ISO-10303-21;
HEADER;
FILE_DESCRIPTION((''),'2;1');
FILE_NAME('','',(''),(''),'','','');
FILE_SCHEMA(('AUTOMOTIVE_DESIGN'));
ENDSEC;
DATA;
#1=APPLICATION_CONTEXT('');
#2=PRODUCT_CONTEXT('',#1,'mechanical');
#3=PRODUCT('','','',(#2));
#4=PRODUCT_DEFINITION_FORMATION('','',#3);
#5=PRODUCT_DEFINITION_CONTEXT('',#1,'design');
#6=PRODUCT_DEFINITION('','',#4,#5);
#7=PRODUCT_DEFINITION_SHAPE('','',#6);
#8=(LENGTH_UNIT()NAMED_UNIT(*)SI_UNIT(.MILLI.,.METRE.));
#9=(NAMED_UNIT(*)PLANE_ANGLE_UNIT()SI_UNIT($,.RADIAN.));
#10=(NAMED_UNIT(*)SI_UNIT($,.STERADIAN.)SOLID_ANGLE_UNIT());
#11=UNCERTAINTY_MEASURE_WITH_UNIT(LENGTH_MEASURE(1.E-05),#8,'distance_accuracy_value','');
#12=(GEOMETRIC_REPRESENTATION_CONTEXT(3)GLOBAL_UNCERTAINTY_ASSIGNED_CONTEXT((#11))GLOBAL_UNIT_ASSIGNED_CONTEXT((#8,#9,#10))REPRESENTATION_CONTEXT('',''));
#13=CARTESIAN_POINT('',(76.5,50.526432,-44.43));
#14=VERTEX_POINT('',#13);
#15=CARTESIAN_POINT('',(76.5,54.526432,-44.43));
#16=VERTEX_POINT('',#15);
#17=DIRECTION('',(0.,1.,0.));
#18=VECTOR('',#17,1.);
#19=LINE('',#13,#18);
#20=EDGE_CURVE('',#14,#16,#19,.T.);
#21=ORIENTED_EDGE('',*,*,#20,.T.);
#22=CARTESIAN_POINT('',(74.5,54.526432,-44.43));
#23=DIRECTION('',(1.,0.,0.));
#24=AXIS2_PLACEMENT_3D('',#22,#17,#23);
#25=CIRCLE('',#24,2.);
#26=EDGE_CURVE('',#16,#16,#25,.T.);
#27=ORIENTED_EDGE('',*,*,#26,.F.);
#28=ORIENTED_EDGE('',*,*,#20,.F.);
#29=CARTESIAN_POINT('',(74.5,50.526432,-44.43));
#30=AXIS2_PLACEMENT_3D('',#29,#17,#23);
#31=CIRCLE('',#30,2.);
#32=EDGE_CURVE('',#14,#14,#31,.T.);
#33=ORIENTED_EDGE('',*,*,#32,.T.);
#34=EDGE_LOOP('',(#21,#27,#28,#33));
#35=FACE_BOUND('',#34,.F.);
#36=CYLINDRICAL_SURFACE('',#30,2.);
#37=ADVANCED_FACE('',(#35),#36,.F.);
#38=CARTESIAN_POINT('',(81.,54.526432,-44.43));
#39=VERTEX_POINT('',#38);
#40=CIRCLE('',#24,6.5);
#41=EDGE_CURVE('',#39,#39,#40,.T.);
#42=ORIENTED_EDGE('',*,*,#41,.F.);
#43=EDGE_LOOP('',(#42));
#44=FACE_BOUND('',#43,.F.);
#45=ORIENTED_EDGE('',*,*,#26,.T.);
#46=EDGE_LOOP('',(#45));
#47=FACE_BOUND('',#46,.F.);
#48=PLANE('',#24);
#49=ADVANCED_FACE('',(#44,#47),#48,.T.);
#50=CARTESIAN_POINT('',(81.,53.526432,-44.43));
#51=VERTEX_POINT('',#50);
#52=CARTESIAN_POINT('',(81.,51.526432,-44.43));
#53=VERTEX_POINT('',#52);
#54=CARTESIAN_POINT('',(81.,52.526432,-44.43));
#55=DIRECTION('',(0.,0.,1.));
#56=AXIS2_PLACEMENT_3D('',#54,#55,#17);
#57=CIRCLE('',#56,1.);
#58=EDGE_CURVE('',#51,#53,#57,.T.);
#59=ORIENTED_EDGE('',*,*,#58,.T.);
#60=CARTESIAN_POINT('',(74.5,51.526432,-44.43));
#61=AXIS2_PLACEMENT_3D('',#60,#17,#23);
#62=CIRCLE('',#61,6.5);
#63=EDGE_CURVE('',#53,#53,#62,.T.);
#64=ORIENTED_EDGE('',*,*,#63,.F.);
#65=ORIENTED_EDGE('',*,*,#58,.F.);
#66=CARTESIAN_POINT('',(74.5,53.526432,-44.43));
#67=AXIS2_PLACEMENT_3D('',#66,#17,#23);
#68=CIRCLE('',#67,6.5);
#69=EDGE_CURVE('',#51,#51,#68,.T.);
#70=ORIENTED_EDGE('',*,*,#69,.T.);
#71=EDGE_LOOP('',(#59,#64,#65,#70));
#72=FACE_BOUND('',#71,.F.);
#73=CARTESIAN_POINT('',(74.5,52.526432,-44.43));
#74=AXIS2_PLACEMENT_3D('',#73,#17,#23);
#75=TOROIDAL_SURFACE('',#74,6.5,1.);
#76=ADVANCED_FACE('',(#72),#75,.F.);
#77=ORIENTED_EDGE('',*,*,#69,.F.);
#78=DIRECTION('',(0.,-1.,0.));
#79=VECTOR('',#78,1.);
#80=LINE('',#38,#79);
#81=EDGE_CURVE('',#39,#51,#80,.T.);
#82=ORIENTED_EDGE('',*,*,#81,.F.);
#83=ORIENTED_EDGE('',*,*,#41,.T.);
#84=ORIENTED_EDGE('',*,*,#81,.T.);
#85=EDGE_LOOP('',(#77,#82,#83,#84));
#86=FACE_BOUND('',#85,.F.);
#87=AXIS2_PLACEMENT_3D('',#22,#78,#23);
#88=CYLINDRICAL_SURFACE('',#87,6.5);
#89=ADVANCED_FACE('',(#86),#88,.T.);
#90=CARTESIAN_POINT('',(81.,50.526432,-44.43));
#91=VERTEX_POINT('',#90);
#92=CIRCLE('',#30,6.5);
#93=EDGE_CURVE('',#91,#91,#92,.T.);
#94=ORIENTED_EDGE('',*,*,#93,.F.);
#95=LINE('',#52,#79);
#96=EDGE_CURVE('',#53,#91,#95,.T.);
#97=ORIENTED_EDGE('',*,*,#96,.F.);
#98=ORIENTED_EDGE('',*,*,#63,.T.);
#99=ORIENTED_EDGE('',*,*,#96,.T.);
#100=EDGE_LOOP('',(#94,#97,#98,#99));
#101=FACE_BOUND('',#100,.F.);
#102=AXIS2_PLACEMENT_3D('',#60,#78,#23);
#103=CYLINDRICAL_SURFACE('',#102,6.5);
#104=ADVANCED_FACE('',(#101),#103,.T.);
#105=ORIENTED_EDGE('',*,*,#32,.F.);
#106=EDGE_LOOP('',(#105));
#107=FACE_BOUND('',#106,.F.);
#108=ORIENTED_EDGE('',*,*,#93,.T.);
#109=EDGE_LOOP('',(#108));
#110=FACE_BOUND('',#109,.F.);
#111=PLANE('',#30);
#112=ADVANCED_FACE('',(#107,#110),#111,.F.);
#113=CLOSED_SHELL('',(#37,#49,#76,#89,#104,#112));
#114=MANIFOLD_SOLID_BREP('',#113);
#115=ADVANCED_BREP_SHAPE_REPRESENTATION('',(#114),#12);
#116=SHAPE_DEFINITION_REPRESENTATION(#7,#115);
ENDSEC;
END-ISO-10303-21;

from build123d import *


with BuildPart() as part:
    # Sketch1 → Revolve1 (revolve)
    with BuildSketch(Plane(origin=(0, 0, -44.43), x_dir=(-1, 0, 0), z_dir=(0, 0, -1))):
        with BuildLine():
            Line((-81, 54.526431985), (-81, 53.526431985))
            ThreePointArc((-81, 53.526431985), (-80, 52.526431985), (-81, 51.526431985))
            Line((-81, 51.526431985), (-81, 50.526431985))
            Line((-81, 50.526431985), (-76.5, 50.526431985))
            Line((-76.5, 50.526431985), (-76.5, 54.526431985))
            Line((-76.5, 54.526431985), (-81, 54.526431985))
        make_face()
    revolve(axis=Axis((74.5, 50.526431985, -44.43), (0, 1, 0)))


solid = part.part
